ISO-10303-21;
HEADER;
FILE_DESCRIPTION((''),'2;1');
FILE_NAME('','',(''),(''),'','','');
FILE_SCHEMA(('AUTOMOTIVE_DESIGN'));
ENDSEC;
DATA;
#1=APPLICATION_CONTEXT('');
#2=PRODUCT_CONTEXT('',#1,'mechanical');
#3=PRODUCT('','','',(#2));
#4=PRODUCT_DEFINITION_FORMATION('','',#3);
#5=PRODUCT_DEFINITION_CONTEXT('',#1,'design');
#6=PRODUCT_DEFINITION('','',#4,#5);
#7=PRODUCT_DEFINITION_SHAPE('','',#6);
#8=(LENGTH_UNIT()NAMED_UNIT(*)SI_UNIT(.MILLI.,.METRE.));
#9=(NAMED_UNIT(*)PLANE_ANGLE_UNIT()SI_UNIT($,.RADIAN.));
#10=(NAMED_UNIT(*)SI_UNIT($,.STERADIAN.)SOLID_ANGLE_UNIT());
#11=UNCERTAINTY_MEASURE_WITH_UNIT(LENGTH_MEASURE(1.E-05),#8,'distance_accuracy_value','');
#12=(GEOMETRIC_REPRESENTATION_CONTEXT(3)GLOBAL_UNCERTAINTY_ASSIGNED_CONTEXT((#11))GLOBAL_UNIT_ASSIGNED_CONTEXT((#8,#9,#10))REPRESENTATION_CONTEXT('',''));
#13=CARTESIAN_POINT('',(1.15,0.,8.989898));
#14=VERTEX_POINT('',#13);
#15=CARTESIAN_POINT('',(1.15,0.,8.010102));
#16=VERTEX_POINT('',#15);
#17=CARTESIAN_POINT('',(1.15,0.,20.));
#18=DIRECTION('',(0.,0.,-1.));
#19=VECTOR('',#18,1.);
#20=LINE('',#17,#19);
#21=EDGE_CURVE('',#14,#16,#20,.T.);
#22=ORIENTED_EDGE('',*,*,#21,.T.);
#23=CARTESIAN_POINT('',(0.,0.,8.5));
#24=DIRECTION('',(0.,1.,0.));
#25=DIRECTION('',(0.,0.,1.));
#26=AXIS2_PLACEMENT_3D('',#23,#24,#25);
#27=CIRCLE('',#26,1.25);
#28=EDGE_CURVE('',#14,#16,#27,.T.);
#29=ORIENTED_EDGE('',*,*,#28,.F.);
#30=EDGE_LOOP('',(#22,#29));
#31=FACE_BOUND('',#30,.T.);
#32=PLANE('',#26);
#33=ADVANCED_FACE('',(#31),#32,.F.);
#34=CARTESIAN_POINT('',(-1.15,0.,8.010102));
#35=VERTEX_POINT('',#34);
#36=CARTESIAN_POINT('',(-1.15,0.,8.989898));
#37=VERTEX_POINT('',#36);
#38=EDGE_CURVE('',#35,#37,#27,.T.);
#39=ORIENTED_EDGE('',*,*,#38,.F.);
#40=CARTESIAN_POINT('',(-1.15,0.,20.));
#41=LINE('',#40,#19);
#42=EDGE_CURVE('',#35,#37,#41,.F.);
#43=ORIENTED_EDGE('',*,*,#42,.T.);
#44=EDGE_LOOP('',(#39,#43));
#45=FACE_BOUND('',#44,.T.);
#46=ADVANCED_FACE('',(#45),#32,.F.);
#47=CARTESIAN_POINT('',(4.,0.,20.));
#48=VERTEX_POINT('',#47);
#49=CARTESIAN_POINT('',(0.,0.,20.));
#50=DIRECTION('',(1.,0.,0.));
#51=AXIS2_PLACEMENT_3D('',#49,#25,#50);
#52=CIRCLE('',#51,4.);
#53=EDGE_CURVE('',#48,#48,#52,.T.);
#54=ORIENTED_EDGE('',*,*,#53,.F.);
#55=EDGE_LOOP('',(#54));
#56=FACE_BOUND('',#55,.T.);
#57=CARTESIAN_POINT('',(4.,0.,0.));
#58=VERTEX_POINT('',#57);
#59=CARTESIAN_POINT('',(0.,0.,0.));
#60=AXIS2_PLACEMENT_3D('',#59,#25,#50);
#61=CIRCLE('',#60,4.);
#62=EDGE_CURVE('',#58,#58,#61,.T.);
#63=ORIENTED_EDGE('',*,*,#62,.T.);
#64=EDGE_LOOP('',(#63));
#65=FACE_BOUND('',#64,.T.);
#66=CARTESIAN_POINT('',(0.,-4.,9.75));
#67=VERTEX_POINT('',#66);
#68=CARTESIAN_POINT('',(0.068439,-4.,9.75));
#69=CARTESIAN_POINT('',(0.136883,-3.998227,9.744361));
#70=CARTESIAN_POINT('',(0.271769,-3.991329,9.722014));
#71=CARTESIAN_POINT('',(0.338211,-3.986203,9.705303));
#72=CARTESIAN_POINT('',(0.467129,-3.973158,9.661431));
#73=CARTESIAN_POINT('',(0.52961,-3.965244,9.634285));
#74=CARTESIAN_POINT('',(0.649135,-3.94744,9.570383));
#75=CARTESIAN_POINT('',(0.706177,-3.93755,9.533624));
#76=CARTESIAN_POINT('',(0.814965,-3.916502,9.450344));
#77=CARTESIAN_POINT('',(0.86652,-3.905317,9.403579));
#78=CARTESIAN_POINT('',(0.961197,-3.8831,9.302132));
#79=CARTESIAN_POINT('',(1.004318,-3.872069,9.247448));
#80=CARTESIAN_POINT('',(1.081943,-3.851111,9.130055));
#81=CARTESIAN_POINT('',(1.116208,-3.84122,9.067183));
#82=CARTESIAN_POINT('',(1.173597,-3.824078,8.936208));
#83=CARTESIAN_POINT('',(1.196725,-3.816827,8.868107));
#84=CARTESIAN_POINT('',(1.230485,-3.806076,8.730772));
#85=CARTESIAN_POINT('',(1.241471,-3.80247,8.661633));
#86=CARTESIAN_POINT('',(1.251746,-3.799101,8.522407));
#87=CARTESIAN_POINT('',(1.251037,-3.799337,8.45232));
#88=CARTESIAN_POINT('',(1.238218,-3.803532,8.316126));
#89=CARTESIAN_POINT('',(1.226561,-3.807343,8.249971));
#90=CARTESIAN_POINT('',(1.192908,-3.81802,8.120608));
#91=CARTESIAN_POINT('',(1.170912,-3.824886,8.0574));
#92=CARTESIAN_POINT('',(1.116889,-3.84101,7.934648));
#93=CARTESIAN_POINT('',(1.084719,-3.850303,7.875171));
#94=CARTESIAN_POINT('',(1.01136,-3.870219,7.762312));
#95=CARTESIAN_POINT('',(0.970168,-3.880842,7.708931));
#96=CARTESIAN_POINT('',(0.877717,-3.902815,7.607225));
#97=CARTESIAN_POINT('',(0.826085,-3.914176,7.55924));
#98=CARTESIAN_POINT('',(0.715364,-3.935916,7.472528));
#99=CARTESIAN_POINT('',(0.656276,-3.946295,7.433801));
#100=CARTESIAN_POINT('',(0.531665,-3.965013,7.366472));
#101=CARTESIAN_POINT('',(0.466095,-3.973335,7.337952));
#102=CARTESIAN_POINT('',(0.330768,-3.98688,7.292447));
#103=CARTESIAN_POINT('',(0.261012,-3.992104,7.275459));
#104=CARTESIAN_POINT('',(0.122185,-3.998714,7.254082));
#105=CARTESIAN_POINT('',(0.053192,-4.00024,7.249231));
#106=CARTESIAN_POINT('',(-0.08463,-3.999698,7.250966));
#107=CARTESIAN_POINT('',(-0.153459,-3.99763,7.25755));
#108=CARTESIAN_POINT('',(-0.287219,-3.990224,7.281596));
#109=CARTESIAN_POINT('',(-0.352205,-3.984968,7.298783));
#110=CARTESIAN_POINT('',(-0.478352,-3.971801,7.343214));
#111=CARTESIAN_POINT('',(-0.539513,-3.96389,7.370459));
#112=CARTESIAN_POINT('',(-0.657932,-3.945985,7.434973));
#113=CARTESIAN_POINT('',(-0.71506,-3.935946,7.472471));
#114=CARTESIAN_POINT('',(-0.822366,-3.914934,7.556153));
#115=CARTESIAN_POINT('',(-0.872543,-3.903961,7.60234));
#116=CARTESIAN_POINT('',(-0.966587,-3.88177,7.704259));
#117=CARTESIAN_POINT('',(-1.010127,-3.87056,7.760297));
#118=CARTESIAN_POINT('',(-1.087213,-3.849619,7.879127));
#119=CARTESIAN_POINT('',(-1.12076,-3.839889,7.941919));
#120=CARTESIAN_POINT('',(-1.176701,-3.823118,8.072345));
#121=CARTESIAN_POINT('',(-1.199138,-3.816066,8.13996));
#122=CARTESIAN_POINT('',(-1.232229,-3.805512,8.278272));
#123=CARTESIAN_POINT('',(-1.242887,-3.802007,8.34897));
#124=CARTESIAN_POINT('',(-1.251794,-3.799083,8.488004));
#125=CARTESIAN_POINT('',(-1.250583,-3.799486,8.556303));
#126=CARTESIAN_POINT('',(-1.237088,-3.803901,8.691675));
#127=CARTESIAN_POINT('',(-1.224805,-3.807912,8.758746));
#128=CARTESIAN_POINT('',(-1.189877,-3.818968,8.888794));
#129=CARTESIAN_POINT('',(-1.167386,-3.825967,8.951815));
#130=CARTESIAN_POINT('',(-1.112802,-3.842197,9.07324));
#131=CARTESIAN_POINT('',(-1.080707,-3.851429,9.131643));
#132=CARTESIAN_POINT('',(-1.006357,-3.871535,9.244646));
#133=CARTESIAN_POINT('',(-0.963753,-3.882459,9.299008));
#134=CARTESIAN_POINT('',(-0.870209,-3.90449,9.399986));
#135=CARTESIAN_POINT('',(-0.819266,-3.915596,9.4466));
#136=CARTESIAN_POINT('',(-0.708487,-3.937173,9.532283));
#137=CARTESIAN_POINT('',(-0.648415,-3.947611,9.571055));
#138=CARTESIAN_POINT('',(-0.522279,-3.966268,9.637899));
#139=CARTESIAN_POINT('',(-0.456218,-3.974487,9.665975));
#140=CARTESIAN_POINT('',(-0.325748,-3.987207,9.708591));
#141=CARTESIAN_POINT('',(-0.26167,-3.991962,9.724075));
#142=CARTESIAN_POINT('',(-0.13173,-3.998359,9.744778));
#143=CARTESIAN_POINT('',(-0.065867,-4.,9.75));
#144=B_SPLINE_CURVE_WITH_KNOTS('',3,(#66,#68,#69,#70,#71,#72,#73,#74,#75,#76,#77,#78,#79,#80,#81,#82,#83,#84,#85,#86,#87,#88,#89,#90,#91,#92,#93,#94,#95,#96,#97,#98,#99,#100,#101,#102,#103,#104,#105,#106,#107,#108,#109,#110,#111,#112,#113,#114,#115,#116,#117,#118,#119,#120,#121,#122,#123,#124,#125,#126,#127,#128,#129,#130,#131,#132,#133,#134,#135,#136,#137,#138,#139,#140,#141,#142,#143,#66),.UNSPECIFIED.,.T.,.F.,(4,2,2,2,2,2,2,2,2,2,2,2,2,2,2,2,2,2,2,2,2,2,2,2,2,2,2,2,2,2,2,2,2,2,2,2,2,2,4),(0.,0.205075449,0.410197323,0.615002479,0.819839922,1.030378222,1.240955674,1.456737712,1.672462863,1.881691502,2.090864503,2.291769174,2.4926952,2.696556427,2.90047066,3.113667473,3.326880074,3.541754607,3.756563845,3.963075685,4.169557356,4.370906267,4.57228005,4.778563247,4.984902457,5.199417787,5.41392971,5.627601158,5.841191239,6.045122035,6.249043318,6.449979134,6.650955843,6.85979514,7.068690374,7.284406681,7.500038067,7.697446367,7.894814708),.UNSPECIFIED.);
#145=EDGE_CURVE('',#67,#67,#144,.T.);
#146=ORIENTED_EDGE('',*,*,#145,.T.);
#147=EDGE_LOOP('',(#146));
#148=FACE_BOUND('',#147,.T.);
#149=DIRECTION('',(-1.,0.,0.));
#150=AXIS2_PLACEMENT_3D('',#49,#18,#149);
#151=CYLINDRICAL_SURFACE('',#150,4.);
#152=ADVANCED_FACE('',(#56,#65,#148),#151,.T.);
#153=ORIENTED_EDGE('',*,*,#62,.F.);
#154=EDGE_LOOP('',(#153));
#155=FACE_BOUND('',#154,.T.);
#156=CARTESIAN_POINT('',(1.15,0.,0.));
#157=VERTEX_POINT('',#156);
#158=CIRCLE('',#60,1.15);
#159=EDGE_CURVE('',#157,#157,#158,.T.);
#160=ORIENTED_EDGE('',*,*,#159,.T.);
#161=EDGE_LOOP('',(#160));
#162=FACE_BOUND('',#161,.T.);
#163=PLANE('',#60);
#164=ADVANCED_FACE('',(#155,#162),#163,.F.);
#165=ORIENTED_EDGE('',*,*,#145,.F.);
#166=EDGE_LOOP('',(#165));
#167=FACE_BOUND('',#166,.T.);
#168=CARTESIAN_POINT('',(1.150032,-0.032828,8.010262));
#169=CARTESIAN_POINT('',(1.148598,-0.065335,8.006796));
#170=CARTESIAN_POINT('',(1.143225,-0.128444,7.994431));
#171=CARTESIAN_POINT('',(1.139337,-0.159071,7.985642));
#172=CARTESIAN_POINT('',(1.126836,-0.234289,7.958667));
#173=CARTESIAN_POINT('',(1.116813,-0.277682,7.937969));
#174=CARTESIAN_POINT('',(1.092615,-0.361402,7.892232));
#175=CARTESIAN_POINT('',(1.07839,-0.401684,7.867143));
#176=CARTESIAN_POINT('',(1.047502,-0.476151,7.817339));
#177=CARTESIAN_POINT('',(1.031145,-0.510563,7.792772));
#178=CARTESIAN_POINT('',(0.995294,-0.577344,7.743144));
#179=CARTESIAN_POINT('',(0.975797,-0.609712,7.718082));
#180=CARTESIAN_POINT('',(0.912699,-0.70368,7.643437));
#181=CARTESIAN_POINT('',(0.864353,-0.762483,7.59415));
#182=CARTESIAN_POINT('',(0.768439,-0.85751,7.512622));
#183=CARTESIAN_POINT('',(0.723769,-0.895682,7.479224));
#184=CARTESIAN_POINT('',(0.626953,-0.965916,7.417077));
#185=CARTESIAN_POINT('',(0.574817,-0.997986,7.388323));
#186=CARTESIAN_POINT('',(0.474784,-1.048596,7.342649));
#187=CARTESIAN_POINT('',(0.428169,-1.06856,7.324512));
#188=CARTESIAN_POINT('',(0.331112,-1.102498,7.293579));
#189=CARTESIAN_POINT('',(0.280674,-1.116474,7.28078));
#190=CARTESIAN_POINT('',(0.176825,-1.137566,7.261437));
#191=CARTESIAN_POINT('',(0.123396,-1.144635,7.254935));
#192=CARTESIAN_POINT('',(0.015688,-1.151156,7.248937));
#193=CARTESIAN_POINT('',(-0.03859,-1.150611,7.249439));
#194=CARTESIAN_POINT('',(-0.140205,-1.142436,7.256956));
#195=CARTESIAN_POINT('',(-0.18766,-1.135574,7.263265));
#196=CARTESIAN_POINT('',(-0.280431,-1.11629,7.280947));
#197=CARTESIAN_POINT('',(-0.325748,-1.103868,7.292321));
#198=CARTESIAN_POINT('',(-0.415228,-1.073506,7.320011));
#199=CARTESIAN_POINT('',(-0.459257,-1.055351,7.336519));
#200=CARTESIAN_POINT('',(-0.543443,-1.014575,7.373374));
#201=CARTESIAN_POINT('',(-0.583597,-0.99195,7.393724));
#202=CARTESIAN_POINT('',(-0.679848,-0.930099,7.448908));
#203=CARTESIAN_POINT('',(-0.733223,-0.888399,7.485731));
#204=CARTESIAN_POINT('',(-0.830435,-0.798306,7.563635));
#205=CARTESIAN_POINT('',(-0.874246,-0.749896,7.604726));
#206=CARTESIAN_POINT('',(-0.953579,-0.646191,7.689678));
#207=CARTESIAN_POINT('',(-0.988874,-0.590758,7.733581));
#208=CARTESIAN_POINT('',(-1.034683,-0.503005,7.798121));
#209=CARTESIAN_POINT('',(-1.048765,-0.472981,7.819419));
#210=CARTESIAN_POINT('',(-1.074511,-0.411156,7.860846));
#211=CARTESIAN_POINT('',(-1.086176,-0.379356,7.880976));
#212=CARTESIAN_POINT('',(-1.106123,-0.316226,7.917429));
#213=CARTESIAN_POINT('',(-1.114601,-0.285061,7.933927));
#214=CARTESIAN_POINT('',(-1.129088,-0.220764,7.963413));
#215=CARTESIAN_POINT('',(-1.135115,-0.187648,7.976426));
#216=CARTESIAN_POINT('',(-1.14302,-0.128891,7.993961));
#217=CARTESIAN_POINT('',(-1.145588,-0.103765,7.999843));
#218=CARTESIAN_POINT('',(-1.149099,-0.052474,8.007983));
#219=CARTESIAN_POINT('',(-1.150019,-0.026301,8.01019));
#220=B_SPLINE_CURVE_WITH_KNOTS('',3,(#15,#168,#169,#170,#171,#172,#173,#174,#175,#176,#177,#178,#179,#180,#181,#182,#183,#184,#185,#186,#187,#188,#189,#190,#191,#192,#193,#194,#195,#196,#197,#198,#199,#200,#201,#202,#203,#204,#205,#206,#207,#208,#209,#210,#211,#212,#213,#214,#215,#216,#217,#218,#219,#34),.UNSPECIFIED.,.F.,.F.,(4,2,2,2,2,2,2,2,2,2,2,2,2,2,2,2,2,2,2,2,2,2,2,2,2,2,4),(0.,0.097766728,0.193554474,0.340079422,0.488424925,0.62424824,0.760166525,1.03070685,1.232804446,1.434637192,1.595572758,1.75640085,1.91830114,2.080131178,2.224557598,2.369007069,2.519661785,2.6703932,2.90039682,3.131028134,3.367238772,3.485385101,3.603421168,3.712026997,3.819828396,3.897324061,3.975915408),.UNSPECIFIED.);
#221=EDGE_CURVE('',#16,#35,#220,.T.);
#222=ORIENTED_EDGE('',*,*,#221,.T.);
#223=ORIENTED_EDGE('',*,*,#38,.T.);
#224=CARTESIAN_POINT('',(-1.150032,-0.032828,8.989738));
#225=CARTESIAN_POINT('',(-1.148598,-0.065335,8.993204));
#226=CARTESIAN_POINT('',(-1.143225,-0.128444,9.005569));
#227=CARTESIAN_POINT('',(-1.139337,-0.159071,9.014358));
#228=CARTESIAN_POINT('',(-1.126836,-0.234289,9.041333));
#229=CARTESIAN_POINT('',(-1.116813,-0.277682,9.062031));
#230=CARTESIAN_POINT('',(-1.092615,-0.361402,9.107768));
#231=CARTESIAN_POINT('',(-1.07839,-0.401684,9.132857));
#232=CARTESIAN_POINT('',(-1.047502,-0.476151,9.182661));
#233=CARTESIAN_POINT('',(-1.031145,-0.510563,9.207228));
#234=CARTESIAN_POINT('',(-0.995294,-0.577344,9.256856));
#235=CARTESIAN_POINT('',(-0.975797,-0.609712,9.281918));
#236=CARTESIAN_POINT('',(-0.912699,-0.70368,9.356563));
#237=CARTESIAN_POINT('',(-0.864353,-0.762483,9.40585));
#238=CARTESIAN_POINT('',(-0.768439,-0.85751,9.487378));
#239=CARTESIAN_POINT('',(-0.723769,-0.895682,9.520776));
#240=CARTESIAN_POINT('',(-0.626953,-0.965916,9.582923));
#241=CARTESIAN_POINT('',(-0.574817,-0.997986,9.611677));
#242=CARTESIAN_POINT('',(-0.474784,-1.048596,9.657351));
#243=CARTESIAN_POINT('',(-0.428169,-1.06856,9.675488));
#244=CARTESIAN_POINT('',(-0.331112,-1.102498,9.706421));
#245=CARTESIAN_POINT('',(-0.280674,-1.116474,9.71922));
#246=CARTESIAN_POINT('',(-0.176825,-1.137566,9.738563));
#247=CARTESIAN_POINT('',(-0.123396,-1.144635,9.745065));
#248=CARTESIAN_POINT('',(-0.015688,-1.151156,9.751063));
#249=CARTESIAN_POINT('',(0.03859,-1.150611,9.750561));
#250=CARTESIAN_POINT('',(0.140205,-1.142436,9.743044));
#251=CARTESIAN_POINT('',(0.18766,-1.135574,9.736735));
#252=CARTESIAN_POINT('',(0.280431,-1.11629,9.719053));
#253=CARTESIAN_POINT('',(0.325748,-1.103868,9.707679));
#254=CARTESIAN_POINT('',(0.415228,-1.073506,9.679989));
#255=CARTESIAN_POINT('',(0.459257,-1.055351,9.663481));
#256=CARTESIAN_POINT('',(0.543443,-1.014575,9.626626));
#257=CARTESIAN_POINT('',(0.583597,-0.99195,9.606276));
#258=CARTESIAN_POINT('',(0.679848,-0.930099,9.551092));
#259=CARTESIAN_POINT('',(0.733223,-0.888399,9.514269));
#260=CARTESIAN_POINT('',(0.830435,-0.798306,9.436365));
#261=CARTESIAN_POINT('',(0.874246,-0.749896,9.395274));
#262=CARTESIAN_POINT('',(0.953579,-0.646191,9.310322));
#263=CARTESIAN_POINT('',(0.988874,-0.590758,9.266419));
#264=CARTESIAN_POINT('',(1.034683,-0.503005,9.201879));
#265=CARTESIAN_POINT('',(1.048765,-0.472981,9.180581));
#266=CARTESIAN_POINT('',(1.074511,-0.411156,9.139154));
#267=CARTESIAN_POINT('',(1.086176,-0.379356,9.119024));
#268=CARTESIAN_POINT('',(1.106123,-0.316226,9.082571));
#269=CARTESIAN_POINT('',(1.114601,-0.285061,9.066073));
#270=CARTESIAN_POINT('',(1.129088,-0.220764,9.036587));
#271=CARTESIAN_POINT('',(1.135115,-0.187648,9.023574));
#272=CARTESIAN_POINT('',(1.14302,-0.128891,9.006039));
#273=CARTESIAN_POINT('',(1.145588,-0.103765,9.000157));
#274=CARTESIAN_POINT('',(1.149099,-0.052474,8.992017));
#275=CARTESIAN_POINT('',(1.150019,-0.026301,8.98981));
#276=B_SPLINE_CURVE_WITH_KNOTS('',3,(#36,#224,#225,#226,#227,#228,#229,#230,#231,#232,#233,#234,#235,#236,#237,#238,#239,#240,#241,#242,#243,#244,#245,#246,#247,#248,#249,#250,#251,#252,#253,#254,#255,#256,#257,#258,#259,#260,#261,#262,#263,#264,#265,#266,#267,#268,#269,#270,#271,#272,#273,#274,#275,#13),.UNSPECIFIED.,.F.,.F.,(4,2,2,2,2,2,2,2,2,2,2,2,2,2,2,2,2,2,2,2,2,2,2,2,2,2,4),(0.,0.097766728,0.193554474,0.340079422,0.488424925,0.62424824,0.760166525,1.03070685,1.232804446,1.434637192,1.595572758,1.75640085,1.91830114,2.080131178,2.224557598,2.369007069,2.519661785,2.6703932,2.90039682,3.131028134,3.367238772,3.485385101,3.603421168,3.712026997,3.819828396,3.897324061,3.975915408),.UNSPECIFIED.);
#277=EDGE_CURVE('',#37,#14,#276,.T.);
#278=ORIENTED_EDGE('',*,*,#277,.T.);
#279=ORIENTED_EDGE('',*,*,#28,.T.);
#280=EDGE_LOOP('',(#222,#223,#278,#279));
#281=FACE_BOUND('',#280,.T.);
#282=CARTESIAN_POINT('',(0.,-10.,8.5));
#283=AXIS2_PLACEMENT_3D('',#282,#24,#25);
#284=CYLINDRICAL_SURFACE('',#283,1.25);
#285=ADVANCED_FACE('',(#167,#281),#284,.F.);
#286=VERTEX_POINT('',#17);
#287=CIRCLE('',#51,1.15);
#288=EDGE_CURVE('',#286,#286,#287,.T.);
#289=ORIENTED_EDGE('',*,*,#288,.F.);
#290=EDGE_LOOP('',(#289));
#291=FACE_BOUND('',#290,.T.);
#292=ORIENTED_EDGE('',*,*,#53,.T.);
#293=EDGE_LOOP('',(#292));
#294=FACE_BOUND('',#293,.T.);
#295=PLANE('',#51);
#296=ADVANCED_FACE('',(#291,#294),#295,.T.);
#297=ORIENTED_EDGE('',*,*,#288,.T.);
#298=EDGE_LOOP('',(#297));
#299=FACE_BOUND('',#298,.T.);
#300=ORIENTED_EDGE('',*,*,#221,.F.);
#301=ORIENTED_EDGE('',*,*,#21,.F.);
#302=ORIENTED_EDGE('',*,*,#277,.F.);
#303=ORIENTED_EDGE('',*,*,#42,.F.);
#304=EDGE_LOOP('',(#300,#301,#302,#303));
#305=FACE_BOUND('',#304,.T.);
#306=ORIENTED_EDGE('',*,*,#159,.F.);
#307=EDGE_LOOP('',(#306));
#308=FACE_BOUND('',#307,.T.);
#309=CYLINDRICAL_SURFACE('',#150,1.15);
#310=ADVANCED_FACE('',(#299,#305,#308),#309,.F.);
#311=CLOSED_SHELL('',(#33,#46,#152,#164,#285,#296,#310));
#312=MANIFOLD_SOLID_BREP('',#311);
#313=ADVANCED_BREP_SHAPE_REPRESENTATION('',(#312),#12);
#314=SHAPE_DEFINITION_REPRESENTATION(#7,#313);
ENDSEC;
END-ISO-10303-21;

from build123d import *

# Parameters (mm, degrees)
SKETCH1_R           = 4
SKETCH1_R_2         = 1.15
BOSS_EXTRUDE1_DEPTH = 20
SKETCH2_R           = 1.25
CUT_EXTRUDE1_DEPTH  = 10


with BuildPart() as part:
    # Sketch1 → Boss-Extrude1 (new body)
    with BuildSketch(Plane.XY):
        Circle(SKETCH1_R)
        Circle(SKETCH1_R_2, mode=Mode.SUBTRACT)
    extrude(amount=BOSS_EXTRUDE1_DEPTH)

    # Sketch2 → Cut-Extrude1 (cut)
    with BuildSketch(Plane(origin=(0, 0, 0), x_dir=(1, 0, 0), z_dir=(0, 1, 0))):
        with Locations(Location((0, -8.5, 0), (0, 0, 270))):
            Circle(SKETCH2_R)
    extrude(amount=-CUT_EXTRUDE1_DEPTH, mode=Mode.SUBTRACT)


solid = part.part
